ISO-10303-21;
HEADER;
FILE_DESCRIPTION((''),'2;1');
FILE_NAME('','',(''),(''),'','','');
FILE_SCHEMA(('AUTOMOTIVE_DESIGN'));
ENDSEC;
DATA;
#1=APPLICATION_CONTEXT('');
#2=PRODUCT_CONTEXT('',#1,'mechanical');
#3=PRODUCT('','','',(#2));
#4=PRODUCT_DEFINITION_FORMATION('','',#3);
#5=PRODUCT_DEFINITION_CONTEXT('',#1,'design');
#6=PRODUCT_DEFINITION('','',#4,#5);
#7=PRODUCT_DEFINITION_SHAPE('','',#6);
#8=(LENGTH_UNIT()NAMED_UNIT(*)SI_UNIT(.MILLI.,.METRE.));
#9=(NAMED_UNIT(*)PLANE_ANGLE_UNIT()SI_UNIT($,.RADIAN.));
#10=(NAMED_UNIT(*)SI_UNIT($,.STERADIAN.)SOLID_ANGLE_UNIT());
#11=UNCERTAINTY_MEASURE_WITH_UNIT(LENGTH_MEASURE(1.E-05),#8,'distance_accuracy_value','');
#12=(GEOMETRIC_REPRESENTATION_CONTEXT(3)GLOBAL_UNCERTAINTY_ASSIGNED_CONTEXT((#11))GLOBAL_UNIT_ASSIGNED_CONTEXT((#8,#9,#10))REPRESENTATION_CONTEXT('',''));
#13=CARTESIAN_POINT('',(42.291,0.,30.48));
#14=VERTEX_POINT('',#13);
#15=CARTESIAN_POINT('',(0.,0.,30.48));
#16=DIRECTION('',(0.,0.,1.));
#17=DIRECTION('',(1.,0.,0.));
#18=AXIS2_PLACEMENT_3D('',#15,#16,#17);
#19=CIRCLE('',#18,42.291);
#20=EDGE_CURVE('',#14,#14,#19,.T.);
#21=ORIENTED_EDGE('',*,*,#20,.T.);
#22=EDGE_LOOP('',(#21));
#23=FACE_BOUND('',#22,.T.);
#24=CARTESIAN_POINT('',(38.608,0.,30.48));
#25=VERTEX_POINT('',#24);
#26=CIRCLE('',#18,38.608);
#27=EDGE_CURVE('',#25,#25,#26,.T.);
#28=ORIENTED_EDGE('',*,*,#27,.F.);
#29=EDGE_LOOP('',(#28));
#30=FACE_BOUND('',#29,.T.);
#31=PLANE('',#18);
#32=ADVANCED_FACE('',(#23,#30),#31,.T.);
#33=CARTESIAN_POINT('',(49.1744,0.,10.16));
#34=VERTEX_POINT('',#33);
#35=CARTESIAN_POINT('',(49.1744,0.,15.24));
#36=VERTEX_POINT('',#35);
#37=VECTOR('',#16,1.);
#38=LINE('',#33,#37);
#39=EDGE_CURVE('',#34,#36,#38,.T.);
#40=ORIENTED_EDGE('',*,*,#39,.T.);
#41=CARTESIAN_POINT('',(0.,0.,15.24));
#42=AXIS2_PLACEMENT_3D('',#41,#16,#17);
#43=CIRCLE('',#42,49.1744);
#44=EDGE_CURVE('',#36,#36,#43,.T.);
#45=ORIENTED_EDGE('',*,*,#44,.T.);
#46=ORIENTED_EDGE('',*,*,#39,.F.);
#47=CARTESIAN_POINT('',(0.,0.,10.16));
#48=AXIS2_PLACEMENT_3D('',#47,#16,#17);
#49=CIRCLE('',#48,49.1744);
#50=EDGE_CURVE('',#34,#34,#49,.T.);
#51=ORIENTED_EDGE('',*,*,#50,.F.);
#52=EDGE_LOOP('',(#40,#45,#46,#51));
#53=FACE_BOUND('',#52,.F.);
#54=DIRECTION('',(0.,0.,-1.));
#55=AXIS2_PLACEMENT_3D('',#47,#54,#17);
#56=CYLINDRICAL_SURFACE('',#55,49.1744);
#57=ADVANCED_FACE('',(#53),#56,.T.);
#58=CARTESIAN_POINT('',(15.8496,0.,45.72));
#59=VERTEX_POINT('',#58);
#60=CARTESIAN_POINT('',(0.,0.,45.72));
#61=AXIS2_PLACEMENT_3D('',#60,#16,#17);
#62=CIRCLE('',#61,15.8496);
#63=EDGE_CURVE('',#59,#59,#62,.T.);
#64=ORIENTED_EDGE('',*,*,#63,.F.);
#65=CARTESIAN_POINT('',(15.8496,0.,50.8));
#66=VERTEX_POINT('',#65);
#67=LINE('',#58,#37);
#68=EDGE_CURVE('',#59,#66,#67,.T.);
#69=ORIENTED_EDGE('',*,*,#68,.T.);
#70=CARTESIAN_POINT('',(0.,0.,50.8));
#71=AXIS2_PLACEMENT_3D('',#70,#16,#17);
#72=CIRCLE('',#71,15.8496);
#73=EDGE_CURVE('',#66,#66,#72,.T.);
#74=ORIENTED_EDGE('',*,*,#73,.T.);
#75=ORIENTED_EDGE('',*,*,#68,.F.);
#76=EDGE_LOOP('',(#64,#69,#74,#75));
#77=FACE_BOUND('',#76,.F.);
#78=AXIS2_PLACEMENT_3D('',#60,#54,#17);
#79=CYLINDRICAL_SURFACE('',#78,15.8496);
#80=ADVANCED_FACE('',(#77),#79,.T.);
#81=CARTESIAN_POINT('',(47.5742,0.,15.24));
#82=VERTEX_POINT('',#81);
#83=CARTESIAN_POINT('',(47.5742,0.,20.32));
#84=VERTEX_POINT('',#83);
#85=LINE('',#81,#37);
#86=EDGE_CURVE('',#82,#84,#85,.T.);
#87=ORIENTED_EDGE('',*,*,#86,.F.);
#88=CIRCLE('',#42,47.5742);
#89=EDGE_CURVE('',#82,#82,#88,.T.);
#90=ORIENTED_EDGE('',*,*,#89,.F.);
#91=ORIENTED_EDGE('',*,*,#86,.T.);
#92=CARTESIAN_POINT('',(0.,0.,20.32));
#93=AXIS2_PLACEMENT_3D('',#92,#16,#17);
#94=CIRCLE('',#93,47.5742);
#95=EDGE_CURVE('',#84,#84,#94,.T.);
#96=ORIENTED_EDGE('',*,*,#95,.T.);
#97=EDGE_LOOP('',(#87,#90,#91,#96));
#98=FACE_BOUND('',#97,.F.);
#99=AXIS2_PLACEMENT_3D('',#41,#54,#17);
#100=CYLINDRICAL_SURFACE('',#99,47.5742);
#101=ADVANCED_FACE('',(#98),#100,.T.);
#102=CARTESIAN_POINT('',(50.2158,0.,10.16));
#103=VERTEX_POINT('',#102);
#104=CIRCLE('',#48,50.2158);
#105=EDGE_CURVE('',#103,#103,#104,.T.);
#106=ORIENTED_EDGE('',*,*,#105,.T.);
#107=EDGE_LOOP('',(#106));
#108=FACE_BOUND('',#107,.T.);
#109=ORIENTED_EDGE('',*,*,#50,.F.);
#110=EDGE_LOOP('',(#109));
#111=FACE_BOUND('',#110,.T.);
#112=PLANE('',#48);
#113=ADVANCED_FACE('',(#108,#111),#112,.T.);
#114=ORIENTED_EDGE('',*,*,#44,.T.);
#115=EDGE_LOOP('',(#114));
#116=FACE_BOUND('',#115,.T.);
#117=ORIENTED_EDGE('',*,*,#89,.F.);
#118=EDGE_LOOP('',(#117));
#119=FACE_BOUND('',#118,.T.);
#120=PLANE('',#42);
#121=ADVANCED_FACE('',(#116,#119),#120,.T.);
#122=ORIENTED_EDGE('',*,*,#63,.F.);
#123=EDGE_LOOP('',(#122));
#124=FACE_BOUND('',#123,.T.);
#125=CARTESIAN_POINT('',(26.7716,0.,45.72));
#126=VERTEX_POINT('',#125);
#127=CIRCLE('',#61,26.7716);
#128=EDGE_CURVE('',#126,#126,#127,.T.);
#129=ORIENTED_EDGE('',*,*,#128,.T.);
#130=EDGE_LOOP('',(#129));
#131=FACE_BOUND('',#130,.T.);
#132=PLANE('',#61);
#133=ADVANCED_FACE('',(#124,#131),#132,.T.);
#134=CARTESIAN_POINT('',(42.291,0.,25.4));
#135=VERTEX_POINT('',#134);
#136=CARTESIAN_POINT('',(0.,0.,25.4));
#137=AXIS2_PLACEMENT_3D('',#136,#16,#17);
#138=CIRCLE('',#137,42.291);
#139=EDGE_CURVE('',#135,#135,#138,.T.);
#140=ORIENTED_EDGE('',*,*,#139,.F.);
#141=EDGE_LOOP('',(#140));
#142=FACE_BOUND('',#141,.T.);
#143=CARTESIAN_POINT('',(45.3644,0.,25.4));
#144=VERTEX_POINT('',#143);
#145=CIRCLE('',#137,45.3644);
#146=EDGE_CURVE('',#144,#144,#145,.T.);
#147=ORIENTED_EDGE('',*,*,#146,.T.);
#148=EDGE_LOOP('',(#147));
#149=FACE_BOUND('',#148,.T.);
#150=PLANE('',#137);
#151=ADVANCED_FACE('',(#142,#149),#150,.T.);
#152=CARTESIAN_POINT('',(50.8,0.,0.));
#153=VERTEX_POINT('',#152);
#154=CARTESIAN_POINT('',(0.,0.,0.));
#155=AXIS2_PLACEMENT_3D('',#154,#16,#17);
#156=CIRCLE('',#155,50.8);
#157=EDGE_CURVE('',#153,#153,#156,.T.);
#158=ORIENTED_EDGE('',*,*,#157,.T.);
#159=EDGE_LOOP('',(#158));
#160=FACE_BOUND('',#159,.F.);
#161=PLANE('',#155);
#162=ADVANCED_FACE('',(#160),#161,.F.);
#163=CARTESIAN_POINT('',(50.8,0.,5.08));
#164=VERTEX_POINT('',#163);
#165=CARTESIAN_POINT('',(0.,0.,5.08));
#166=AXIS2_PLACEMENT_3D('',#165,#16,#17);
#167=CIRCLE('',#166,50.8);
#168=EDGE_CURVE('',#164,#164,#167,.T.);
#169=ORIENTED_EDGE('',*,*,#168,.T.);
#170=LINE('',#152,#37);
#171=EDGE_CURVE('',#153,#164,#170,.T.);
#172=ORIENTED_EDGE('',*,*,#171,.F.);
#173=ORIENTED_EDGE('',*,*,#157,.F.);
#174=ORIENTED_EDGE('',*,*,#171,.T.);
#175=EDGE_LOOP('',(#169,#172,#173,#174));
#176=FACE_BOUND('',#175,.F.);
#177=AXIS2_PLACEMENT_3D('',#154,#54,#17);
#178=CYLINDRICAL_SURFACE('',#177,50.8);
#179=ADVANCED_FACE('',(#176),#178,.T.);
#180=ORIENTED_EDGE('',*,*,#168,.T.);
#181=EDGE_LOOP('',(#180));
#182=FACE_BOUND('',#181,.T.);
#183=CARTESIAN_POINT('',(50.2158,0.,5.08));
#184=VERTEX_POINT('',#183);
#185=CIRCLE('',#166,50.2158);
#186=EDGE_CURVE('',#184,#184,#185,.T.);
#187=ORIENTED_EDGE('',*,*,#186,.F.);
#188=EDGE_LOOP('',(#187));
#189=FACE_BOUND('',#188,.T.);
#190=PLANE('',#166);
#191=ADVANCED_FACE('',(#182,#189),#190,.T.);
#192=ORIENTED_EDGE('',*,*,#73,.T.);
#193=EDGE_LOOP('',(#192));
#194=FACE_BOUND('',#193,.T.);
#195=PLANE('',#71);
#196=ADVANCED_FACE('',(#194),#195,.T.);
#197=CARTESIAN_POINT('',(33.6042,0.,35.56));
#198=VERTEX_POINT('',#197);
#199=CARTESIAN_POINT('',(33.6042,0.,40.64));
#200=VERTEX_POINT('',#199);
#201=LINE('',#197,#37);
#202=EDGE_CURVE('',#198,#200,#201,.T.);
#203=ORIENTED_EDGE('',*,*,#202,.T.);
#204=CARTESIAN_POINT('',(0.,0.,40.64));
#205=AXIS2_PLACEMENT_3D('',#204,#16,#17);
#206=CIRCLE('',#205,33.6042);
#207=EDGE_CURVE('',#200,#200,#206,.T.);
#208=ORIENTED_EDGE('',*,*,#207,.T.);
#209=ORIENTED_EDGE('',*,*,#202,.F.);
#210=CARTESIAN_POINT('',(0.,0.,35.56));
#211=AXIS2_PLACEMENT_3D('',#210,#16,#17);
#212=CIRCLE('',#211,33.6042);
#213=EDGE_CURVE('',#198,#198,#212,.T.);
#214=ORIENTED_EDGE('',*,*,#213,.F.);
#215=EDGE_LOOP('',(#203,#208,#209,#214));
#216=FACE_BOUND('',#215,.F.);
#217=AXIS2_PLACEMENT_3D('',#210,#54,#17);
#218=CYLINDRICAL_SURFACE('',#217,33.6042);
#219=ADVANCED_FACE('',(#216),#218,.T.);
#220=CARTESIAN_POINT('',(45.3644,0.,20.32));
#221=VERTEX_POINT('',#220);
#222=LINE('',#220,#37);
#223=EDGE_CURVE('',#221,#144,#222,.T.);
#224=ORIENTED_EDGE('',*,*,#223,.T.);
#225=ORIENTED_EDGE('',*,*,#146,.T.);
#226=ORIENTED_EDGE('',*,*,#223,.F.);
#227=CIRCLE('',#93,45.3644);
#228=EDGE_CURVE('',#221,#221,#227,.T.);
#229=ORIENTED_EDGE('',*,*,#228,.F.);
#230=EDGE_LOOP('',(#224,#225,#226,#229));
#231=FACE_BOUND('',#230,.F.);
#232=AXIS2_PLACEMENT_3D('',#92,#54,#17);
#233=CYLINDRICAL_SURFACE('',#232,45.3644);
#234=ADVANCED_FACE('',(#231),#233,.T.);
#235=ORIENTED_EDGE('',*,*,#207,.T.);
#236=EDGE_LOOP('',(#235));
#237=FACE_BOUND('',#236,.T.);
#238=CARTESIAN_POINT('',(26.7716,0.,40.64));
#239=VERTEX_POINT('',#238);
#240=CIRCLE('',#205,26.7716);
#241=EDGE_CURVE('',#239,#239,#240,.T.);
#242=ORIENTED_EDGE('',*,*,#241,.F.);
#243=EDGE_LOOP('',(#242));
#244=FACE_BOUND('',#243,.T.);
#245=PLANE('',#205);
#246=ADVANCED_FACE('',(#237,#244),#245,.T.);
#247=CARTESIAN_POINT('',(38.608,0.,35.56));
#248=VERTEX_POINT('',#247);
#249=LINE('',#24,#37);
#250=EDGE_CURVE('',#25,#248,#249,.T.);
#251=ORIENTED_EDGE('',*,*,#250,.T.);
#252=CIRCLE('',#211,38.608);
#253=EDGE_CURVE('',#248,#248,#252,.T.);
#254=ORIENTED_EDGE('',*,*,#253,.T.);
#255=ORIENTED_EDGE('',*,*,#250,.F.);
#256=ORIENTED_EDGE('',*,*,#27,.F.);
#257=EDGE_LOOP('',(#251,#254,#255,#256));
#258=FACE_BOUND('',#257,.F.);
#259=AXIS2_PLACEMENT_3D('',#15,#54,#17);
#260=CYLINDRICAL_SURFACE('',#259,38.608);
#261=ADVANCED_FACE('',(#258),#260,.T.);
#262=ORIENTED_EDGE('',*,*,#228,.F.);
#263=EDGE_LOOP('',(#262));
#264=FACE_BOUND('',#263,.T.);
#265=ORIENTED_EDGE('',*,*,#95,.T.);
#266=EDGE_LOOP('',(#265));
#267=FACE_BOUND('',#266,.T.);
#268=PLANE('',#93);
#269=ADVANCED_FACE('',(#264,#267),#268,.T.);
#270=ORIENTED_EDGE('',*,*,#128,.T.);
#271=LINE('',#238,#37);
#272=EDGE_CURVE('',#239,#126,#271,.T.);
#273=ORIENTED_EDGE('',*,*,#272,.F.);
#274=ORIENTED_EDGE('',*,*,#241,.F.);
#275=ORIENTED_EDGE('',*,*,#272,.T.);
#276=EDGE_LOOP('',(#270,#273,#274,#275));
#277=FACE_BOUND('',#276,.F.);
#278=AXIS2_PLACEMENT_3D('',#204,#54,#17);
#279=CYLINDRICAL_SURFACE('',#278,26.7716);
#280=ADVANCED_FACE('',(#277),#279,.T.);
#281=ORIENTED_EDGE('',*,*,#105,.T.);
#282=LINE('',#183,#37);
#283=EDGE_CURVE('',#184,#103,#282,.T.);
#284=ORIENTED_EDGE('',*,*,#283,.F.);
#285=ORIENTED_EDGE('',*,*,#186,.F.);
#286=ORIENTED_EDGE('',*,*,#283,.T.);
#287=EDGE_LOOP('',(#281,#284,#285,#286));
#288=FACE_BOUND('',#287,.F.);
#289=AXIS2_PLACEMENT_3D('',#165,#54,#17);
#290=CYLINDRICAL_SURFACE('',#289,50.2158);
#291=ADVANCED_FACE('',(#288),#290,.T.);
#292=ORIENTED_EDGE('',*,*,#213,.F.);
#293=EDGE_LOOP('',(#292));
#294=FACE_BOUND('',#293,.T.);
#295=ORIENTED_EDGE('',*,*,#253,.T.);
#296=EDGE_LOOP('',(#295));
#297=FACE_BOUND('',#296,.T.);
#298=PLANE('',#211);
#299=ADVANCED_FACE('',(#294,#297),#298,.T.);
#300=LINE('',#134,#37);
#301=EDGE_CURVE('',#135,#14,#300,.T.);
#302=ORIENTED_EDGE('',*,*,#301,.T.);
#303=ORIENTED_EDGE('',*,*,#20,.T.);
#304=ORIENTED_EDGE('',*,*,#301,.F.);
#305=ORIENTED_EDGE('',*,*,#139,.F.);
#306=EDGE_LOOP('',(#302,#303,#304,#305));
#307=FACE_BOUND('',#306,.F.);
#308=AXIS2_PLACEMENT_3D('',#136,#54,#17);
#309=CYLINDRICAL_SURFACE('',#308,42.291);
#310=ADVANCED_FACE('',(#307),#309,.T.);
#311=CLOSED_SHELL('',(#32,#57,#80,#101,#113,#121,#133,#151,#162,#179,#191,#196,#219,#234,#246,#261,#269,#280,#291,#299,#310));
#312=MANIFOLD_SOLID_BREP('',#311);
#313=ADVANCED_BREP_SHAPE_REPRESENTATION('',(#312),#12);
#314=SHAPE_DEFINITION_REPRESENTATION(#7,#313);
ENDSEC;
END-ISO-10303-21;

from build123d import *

# Parameters (mm, degrees)
F0_R      = 50.8
F1_DEPTH  = 5.08
F2_R      = 50.2158
F3_DEPTH  = 5.08
F4_R      = 49.1744
F5_DEPTH  = 5.08
F6_R      = 47.5742
F7_DEPTH  = 5.08
F8_R      = 45.3644
F9_DEPTH  = 5.08
F10_R     = 42.291
F11_DEPTH = 5.08
F12_R     = 38.608
F13_DEPTH = 5.08
F14_R     = 33.6042
F15_DEPTH = 5.08
F16_R     = 26.7716
F17_DEPTH = 5.08
F18_R     = 15.8496
F19_DEPTH = 5.08


with BuildPart() as f1:
    # F0 (on Top) → F1 (new body)
    with BuildSketch(Plane.XY):
        Circle(F0_R)
    extrude(amount=F1_DEPTH)

    # F2 (on face) → F3 (join)
    with BuildSketch(Plane.XY.offset(5.08)):
        Circle(F2_R)
    extrude(amount=F3_DEPTH)

    # F4 (on face) → F5 (join)
    with BuildSketch(Plane.XY.offset(10.16)):
        Circle(F4_R)
    extrude(amount=F5_DEPTH)

    # F6 (on face) → F7 (join)
    with BuildSketch(Plane.XY.offset(15.24)):
        Circle(F6_R)
    extrude(amount=F7_DEPTH)

    # F8 (on face) → F9 (join)
    with BuildSketch(Plane.XY.offset(20.32)):
        Circle(F8_R)
    extrude(amount=F9_DEPTH)

    # F10 (on face) → F11 (join)
    with BuildSketch(Plane.XY.offset(25.4)):
        Circle(F10_R)
    extrude(amount=F11_DEPTH)

    # F12 (on face) → F13 (join)
    with BuildSketch(Plane.XY.offset(30.48)):
        Circle(F12_R)
    extrude(amount=F13_DEPTH)

    # F14 (on face) → F15 (join)
    with BuildSketch(Plane.XY.offset(35.56)):
        Circle(F14_R)
    extrude(amount=F15_DEPTH)

    # F16 (on face) → F17 (join)
    with BuildSketch(Plane.XY.offset(40.64)):
        Circle(F16_R)
    extrude(amount=F17_DEPTH)

    # F18 (on face) → F19 (join)
    with BuildSketch(Plane.XY.offset(45.72)):
        Circle(F18_R)
    extrude(amount=F19_DEPTH)


solid = f1.part
